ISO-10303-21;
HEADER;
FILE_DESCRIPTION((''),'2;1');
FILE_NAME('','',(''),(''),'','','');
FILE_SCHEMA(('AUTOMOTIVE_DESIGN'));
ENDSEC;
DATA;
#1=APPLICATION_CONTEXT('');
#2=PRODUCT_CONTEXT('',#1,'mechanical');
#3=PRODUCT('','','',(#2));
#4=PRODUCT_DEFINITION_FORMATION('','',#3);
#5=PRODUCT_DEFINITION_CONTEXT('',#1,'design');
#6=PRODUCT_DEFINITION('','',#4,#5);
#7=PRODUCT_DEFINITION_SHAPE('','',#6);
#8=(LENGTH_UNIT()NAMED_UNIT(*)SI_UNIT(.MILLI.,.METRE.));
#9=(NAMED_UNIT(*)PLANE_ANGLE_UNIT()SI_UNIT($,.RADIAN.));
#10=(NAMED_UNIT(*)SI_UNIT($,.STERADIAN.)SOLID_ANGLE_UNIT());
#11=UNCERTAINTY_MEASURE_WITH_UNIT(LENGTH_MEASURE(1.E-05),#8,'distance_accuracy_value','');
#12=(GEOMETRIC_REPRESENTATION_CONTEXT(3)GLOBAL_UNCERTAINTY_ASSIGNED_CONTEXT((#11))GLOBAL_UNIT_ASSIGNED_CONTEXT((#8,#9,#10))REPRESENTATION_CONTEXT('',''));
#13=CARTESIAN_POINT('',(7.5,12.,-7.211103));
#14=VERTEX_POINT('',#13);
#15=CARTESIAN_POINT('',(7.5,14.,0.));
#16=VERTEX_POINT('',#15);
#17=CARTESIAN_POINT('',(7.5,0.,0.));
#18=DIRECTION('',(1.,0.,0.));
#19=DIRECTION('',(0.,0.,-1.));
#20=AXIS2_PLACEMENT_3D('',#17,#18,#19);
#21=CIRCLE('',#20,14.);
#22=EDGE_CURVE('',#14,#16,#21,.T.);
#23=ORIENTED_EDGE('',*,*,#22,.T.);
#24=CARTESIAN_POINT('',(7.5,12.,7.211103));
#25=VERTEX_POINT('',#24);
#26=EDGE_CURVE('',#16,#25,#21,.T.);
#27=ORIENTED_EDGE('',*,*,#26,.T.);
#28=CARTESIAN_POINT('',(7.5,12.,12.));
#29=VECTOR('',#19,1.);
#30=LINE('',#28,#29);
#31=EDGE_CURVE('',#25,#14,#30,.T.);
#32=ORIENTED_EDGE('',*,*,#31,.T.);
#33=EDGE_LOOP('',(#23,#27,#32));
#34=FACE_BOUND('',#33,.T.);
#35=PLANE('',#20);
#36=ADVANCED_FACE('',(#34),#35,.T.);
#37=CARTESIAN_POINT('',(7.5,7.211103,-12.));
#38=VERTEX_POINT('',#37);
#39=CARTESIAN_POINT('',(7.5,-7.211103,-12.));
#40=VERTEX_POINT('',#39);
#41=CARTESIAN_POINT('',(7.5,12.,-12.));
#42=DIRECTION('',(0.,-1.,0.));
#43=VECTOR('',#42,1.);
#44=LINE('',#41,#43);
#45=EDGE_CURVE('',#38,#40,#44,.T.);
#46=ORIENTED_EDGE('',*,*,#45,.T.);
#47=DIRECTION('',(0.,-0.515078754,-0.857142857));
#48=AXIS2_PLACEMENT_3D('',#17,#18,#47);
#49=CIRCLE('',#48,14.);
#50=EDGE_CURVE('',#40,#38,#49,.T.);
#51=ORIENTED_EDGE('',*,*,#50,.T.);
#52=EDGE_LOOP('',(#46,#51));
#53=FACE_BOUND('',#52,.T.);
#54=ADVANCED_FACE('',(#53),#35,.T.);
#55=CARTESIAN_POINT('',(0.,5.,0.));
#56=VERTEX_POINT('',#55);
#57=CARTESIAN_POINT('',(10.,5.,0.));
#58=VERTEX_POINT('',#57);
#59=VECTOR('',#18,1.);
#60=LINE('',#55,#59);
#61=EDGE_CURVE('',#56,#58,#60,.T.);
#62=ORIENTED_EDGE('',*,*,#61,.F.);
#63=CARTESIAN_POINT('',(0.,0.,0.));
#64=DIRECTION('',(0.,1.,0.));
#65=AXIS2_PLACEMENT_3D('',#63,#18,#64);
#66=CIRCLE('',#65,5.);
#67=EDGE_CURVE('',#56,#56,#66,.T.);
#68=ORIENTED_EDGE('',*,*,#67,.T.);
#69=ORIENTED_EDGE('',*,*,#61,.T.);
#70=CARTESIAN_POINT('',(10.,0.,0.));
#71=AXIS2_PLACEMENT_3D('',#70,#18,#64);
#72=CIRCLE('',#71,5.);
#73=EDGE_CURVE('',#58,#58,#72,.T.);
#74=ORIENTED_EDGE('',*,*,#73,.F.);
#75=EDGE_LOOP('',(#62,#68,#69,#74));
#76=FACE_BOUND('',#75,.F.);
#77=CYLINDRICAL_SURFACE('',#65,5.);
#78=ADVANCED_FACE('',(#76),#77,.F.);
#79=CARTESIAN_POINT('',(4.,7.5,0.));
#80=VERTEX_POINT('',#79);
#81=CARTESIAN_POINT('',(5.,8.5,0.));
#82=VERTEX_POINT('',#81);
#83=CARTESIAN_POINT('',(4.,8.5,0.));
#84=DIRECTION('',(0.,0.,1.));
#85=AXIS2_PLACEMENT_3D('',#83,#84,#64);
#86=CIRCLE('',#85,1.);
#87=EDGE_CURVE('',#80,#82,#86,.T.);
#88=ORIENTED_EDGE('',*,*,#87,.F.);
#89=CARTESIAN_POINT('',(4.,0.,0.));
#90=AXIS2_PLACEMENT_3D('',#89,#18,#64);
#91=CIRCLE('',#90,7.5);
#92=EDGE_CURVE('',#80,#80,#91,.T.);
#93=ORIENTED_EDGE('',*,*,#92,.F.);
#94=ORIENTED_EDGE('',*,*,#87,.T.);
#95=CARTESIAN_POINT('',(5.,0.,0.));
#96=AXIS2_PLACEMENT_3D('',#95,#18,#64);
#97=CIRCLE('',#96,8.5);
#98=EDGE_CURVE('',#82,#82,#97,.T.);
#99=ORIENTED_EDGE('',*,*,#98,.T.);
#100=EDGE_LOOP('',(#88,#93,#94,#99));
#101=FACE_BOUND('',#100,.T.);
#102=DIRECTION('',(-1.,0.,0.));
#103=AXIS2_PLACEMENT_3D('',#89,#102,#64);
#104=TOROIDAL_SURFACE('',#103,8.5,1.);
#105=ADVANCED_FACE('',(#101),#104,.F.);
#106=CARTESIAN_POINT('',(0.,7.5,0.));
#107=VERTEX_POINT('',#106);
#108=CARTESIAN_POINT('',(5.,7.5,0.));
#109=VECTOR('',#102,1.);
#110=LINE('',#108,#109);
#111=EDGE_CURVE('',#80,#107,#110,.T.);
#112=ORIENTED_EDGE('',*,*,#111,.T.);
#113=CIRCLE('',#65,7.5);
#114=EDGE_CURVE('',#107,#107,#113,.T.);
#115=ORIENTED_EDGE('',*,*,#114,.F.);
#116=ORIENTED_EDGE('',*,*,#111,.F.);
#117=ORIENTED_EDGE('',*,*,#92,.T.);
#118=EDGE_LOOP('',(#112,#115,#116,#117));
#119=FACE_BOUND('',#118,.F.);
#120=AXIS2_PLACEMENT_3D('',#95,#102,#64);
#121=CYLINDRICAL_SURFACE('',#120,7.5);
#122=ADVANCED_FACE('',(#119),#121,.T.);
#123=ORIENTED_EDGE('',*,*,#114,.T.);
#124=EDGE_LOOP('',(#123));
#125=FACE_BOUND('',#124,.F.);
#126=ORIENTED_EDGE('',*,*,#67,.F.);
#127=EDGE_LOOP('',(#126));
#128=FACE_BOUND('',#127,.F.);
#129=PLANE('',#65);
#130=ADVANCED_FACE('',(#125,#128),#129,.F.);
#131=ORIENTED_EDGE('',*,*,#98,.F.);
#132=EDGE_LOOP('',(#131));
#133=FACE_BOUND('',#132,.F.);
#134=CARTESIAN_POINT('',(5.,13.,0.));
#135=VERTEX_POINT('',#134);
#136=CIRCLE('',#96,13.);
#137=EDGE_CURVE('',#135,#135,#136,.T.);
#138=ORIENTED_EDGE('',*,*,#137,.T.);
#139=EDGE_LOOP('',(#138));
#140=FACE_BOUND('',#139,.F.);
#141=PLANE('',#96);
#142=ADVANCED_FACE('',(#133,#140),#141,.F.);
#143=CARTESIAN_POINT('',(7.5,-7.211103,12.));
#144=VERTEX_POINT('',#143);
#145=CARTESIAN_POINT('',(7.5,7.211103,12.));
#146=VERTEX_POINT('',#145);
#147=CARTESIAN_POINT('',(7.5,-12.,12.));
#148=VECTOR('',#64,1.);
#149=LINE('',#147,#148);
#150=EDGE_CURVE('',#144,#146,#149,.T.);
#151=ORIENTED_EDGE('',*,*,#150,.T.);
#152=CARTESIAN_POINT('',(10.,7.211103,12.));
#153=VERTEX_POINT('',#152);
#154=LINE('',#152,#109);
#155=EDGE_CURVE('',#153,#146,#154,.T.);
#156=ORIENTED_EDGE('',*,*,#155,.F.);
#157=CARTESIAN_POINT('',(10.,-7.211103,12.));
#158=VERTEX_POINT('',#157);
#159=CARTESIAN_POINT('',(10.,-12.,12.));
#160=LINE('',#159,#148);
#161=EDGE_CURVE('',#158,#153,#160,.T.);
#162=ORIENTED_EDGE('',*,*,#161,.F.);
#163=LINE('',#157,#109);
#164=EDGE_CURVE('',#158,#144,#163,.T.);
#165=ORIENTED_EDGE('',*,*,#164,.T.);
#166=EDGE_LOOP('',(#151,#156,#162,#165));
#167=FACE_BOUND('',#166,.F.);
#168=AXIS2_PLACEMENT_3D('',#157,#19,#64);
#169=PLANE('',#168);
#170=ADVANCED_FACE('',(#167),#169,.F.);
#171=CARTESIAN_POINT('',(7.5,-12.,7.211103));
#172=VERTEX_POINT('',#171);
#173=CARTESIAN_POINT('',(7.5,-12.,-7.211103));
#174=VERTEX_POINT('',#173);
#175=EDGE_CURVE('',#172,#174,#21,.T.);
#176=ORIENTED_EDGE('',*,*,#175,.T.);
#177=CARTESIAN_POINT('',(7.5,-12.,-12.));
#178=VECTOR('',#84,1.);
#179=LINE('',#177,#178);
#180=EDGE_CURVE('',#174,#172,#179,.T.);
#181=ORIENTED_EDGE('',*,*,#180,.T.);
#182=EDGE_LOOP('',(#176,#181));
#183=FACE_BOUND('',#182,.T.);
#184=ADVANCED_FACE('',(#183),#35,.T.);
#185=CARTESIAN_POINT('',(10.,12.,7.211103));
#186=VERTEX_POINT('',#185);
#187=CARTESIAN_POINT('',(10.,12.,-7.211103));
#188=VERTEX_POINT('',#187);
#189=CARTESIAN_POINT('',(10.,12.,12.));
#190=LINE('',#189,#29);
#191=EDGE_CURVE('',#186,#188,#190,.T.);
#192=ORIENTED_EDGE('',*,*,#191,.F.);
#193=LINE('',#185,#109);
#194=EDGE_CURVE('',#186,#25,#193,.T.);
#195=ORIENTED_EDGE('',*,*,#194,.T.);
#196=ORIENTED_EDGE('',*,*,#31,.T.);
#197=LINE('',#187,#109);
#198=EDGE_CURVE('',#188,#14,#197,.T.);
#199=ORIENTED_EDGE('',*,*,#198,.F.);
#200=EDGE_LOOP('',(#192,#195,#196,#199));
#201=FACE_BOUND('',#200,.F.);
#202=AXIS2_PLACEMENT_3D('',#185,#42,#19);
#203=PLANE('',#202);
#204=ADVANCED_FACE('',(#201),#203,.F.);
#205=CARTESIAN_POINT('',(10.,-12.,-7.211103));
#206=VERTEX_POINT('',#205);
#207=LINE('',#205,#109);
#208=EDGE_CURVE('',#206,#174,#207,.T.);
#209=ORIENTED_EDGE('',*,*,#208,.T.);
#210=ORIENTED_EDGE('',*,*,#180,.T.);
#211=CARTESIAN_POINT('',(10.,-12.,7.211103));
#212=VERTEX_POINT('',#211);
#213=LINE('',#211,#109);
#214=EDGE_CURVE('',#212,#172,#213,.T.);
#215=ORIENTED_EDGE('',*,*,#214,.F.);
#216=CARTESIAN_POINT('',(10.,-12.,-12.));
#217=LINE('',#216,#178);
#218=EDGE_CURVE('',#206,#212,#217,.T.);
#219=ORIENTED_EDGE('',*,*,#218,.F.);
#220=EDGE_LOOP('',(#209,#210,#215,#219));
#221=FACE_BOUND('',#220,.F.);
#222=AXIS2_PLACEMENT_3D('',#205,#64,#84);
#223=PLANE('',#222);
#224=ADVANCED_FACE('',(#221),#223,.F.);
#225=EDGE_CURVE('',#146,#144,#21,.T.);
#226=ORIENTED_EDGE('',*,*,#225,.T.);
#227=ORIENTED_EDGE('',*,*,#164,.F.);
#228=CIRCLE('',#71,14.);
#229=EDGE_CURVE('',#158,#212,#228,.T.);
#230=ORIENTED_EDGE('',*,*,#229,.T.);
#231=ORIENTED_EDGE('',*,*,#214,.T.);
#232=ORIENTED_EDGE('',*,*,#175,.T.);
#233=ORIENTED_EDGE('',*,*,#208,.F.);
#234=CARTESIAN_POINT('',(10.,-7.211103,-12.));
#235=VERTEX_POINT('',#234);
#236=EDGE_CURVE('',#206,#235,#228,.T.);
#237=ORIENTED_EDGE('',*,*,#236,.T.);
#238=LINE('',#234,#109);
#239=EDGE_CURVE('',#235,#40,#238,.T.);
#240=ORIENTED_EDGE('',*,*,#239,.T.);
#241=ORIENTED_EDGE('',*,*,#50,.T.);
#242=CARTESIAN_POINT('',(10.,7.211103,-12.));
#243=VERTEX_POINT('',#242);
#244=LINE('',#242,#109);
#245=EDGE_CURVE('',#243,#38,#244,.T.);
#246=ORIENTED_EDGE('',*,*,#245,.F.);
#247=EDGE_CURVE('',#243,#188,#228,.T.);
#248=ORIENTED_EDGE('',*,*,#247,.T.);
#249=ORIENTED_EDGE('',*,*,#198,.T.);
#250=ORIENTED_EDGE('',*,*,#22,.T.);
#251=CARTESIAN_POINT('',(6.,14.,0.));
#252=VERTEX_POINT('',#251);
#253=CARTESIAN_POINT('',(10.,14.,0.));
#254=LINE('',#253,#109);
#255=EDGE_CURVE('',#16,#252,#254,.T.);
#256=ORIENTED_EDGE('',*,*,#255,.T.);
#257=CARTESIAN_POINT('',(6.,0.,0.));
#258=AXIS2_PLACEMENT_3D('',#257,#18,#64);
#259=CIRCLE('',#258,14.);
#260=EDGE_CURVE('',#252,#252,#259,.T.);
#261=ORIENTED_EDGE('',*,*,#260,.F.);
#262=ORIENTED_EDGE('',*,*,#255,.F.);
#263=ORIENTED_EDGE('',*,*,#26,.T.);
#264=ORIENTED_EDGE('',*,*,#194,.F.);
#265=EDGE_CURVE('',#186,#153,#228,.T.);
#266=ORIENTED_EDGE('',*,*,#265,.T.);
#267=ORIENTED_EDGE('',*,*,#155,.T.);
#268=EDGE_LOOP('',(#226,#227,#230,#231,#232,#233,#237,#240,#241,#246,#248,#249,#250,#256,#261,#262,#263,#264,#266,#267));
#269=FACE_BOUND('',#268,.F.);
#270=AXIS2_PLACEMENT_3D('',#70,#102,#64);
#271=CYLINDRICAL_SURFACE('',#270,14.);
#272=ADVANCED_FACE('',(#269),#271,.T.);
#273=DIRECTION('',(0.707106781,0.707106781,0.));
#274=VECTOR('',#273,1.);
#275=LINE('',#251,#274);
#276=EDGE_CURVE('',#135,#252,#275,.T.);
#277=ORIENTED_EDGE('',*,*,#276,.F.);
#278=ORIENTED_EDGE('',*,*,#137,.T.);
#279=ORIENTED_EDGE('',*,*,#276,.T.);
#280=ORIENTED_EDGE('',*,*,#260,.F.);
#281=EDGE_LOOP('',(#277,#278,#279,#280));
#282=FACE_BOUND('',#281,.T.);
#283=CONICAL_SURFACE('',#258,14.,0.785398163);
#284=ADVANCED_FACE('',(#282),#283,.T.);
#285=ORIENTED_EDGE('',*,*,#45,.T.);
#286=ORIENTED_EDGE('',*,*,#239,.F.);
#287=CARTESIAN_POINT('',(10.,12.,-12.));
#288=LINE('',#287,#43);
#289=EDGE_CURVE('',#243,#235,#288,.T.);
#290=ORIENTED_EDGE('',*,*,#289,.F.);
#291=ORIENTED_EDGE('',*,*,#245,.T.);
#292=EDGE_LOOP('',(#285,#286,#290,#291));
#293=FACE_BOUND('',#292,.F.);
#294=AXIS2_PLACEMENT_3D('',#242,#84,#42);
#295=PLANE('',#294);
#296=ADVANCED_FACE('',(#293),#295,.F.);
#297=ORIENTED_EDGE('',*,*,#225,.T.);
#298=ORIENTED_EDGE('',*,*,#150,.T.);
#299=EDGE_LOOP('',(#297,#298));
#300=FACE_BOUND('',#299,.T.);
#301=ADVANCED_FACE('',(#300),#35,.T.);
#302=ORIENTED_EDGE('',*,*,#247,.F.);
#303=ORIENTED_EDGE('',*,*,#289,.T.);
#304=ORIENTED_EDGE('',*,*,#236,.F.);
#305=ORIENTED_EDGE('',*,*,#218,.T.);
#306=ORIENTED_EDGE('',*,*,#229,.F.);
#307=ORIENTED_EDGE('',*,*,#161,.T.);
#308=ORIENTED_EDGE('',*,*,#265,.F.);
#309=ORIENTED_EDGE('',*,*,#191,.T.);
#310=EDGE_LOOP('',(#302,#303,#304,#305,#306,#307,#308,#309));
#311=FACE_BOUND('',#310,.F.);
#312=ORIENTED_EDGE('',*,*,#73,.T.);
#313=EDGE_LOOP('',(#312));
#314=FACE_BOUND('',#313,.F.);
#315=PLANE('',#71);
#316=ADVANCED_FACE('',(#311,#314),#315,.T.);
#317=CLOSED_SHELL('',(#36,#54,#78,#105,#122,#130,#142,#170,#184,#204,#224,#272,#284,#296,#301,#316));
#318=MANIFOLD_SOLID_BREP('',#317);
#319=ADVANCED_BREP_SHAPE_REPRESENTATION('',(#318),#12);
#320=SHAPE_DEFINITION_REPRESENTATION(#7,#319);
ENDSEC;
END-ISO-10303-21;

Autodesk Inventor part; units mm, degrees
ref_plane "YZ Plane" through (0, 0, 0) normal (1, 0, 0) x (0, 1, 0)
ref_plane "XZ Plane" through (0, 0, 0) normal (0, 1, 0) x (-1, 0, 0)
ref_plane "XY Plane" through (0, 0, 0) normal (0, 0, 1) x (1, 0, 0)
sketch "Boceto1" plane through (0, 0, 0) normal (0, 0, 1) x (1, 0, 0)
  line L0 (0, 0) -> (11.3785, 0)
  line L1 (0, 5) -> (10, 5)
  line L2 (10, 5) -> (10, 14)
  line L3 (10, 14) -> (5, 14)
  line L4 (5, 14) -> (5, 7.5)
  line L5 (5, 7.5) -> (0, 7.5)
  line L6 (0, 7.5) -> (0, 5)
  dimension "d0" = 5
  dimension "d1" = 5
  dimension "d3" = 28
  dimension "d4" = 15
  dimension "d5" = 10
revolve "Revolución1" add sketch "Boceto1" angle 360 about axis through (0, 0, 0) along (1, 0, 0)
fillet "Empalme1" radius 1 1 edges at (5, -7.5, 0)
chamfer "Chaflán1" distance 1 angle 45 1 edges at (5, -14, 0)
sketch "Boceto2" plane through (10, 0, 0) normal (1, 0, 0) x (0, 0, -1)
  circle A0 centre (0, 0) radius 14 projected
  line L0 (-12, 12) -> (12, 12)
  line L1 (12, 12) -> (12, -12)
  line L2 (12, -12) -> (-12, -12)
  line L3 (-12, -12) -> (-12, 12)
  point P0 (12, 0)
  point P1 (0, 12)
  point P2 (-7.2111, 12)
  point P3 (7.2111, 12)
  point P4 (12, 7.2111)
  point P5 (12, -7.2111)
  point P6 (-12, -7.2111)
  point P7 (-12, 7.2111)
  point P8 (7.2111, -12)
  point P9 (-7.2111, -12)
  dimension "d11" = 24
  dimension "d12" = 24
extrude "Extrusión1" cut sketch "Boceto2" against normal blind 2.5 contours A0 L1 | L0 A0 | A0 L2 | L3 A0
thread "Rosca1" size "M10x1.5" class "6H" standard "ANSI Metric M Profile" length 20
properties part number "tuerca_manzana_1"
